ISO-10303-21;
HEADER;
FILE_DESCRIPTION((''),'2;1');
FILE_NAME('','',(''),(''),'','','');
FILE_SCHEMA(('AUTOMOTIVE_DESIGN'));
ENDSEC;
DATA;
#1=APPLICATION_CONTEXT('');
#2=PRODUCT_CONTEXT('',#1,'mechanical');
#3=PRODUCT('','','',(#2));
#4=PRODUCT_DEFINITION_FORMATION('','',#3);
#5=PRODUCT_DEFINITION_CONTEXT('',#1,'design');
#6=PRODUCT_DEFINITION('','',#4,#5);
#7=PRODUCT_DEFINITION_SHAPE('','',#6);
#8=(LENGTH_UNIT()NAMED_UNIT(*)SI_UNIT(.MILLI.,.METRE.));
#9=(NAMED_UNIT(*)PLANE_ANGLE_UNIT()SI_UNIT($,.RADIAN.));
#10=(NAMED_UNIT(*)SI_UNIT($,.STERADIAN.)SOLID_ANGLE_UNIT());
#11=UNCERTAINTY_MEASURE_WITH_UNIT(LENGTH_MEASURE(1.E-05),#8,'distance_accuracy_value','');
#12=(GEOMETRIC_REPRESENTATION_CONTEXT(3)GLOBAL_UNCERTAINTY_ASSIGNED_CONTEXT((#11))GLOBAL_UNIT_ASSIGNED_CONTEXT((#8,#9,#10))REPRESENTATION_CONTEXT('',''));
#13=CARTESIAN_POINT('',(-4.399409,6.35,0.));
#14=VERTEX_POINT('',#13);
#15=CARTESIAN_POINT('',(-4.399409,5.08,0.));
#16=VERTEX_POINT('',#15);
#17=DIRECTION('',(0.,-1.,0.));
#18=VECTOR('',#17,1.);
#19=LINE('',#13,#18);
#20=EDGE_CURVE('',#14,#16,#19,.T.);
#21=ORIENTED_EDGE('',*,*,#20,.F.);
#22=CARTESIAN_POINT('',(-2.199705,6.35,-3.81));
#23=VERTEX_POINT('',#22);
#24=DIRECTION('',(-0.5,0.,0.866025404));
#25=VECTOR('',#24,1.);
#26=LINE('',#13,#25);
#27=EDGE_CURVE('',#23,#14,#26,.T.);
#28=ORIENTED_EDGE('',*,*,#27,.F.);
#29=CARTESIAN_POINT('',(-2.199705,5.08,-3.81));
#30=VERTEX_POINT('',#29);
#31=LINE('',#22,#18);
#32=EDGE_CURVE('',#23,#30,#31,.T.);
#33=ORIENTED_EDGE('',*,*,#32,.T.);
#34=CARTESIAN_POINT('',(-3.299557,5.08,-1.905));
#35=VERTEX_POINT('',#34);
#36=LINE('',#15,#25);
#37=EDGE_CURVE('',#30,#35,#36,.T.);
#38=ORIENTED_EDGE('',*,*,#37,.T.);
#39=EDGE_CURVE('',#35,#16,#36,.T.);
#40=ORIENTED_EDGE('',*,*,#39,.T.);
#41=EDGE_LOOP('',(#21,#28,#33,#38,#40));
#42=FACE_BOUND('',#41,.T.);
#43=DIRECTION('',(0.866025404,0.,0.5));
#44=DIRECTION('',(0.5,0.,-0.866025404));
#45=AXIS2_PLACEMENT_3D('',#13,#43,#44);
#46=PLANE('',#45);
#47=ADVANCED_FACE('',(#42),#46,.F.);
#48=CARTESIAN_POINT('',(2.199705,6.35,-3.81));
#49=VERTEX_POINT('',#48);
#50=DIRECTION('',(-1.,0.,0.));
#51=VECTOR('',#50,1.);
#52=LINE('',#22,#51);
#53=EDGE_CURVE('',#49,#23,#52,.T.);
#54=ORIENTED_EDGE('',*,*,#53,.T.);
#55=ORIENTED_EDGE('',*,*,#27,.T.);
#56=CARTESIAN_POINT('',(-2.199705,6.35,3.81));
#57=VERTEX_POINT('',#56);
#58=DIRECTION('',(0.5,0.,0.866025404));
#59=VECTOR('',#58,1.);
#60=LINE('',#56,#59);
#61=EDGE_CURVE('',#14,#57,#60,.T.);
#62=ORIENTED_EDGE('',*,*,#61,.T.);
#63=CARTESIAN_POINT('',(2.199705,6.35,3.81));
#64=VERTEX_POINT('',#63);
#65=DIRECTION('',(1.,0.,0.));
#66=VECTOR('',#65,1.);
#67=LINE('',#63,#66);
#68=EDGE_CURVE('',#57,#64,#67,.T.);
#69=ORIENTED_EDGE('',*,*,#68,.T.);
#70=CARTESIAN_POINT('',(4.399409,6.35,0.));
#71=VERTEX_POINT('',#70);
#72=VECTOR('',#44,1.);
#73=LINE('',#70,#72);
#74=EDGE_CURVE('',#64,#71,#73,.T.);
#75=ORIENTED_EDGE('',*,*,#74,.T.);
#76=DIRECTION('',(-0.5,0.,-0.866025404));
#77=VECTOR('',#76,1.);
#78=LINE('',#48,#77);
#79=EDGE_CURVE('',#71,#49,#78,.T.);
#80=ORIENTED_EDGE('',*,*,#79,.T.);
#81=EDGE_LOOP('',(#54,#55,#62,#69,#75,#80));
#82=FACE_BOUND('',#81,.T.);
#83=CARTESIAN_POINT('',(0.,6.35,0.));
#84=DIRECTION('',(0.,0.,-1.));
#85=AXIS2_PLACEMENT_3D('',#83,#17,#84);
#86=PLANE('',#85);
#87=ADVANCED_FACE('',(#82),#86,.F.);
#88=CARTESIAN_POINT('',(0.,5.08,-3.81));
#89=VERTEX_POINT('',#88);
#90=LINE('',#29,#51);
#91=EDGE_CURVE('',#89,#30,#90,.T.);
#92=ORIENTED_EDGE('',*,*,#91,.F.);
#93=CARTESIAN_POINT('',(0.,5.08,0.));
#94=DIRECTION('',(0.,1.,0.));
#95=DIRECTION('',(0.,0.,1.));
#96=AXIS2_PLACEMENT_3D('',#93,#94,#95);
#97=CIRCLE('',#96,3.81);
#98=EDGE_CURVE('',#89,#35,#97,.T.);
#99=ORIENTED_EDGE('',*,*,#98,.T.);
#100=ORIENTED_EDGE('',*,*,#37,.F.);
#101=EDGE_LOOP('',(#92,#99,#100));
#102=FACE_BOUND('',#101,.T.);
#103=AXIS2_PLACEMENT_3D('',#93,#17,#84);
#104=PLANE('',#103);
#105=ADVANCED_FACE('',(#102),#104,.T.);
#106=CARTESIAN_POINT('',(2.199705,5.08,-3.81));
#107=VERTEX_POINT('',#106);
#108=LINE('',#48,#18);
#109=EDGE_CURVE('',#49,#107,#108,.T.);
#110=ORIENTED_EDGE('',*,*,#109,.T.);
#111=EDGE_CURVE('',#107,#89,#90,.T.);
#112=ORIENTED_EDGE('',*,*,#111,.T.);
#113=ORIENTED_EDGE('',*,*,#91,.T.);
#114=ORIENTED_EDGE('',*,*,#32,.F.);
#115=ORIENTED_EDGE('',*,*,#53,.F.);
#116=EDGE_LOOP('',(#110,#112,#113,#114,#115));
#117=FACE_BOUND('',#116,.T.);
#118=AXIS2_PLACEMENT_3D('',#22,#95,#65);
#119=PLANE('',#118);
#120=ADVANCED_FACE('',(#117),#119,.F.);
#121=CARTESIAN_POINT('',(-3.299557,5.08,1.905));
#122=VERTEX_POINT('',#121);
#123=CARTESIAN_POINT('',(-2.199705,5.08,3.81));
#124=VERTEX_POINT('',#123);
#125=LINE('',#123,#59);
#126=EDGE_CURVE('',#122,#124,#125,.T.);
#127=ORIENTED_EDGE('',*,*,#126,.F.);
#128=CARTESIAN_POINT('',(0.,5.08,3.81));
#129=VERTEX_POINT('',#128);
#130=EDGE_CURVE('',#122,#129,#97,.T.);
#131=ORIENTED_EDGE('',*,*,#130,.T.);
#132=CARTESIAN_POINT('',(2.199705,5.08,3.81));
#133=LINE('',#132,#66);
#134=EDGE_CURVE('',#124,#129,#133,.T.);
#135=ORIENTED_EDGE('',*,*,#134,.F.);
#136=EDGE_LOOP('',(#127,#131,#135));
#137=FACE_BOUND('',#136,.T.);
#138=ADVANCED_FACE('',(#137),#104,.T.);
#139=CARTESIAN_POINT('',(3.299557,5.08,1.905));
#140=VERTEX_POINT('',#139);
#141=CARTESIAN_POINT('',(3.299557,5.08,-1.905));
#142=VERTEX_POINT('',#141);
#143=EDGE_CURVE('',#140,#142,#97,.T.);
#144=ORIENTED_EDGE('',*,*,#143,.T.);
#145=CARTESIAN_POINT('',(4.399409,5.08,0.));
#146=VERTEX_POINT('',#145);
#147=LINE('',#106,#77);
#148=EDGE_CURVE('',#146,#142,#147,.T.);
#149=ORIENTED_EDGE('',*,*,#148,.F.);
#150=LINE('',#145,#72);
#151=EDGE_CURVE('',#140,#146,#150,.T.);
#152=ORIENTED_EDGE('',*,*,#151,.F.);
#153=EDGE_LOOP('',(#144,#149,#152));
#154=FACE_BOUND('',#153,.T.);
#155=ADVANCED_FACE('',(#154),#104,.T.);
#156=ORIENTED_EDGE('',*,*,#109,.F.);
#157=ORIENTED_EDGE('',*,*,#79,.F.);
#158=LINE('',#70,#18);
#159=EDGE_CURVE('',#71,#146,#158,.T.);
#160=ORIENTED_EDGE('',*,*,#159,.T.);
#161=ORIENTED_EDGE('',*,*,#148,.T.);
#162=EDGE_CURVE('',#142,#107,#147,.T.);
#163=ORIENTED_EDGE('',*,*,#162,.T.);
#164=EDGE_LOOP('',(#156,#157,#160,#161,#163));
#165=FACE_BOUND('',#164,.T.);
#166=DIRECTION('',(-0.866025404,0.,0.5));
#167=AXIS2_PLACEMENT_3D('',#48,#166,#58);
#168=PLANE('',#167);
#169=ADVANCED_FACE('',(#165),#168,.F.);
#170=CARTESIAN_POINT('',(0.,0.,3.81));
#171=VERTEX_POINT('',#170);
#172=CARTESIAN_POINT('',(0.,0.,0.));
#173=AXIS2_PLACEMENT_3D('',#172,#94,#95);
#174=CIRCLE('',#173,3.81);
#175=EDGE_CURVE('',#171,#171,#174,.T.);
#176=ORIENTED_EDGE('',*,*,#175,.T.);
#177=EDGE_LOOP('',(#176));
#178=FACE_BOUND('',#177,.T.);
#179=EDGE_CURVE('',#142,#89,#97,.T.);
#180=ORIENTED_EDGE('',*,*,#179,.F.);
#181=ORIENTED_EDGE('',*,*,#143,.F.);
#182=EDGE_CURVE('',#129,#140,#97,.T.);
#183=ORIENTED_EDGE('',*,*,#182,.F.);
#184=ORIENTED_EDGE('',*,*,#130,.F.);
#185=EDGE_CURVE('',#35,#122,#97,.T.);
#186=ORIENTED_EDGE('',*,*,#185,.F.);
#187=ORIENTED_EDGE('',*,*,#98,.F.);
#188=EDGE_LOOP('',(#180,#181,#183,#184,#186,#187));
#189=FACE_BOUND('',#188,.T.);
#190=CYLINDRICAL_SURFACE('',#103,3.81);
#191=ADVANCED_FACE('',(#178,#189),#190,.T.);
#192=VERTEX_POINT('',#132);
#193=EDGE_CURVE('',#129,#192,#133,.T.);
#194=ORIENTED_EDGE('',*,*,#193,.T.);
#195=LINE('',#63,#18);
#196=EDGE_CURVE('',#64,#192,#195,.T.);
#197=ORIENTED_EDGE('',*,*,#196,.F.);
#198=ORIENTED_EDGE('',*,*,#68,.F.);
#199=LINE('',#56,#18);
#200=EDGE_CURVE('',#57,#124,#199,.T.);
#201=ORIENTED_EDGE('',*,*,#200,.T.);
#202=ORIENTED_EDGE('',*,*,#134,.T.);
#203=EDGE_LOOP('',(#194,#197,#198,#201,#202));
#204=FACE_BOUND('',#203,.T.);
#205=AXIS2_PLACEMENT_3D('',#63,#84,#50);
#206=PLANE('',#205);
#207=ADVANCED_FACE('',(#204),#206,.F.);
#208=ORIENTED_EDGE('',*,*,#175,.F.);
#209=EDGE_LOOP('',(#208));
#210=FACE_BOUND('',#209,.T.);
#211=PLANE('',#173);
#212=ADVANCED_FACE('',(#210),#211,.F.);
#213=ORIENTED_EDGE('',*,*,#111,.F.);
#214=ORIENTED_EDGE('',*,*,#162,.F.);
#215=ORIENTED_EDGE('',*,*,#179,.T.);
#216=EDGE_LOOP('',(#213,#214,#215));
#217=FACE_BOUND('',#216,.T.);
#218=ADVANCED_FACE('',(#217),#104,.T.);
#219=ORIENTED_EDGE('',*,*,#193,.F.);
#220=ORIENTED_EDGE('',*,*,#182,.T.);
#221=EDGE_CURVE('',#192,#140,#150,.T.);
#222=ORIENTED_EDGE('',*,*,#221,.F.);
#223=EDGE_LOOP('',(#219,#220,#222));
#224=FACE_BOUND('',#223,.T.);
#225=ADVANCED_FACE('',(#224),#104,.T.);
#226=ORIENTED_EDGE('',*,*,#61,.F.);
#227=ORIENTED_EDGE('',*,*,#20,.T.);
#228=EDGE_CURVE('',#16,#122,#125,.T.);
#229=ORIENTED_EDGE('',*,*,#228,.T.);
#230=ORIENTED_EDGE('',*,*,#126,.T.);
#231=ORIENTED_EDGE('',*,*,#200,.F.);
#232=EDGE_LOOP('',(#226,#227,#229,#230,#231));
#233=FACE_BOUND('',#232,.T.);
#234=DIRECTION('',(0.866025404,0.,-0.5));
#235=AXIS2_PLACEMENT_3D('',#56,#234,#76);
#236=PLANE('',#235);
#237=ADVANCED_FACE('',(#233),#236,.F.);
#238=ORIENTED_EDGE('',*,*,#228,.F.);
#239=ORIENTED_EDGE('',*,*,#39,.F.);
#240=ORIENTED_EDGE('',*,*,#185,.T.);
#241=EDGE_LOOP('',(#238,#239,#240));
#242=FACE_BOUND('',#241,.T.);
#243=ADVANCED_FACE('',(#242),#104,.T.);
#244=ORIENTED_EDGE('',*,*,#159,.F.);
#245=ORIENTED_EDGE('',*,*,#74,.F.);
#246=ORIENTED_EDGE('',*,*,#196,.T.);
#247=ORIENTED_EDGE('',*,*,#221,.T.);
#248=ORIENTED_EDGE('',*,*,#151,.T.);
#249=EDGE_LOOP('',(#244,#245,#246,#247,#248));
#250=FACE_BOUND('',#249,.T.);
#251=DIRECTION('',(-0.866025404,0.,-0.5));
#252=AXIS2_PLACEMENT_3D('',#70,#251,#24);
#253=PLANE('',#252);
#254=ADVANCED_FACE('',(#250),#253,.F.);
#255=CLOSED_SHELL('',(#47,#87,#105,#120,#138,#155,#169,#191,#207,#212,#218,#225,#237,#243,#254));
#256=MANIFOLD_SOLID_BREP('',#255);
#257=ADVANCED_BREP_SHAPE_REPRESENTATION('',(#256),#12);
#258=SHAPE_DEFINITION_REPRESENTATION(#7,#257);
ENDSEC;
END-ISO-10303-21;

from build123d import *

# Parameters (mm, degrees)
SKETCH1_R           = 3.81
BOSS_EXTRUDE1_DEPTH = 5.08
BOSS_EXTRUDE2_DEPTH = 1.27


with BuildPart() as part:
    # Sketch1 → Boss-Extrude1 (new body)
    with BuildSketch(Plane(origin=(0, 0, 0), x_dir=(1, 0, 0), z_dir=(0, 1, 0))):
        with Locations(Location((0, 0, 0), (0, 0, 270))):
            Circle(SKETCH1_R)
    extrude(amount=BOSS_EXTRUDE1_DEPTH)

    # Sketch2 → Boss-Extrude2 (add)
    with BuildSketch(Plane(origin=(0, 5.08, 0), x_dir=(1, 0, 0), z_dir=(0, 1, 0))):
        Polygon((-2.199704526, 3.81), (2.199704526, 3.81), (4.399409051, 0), (2.199704526, -3.81), (-2.199704526, -3.81), (-4.399409051, 0), align=None)
    extrude(amount=BOSS_EXTRUDE2_DEPTH)


solid = part.part
